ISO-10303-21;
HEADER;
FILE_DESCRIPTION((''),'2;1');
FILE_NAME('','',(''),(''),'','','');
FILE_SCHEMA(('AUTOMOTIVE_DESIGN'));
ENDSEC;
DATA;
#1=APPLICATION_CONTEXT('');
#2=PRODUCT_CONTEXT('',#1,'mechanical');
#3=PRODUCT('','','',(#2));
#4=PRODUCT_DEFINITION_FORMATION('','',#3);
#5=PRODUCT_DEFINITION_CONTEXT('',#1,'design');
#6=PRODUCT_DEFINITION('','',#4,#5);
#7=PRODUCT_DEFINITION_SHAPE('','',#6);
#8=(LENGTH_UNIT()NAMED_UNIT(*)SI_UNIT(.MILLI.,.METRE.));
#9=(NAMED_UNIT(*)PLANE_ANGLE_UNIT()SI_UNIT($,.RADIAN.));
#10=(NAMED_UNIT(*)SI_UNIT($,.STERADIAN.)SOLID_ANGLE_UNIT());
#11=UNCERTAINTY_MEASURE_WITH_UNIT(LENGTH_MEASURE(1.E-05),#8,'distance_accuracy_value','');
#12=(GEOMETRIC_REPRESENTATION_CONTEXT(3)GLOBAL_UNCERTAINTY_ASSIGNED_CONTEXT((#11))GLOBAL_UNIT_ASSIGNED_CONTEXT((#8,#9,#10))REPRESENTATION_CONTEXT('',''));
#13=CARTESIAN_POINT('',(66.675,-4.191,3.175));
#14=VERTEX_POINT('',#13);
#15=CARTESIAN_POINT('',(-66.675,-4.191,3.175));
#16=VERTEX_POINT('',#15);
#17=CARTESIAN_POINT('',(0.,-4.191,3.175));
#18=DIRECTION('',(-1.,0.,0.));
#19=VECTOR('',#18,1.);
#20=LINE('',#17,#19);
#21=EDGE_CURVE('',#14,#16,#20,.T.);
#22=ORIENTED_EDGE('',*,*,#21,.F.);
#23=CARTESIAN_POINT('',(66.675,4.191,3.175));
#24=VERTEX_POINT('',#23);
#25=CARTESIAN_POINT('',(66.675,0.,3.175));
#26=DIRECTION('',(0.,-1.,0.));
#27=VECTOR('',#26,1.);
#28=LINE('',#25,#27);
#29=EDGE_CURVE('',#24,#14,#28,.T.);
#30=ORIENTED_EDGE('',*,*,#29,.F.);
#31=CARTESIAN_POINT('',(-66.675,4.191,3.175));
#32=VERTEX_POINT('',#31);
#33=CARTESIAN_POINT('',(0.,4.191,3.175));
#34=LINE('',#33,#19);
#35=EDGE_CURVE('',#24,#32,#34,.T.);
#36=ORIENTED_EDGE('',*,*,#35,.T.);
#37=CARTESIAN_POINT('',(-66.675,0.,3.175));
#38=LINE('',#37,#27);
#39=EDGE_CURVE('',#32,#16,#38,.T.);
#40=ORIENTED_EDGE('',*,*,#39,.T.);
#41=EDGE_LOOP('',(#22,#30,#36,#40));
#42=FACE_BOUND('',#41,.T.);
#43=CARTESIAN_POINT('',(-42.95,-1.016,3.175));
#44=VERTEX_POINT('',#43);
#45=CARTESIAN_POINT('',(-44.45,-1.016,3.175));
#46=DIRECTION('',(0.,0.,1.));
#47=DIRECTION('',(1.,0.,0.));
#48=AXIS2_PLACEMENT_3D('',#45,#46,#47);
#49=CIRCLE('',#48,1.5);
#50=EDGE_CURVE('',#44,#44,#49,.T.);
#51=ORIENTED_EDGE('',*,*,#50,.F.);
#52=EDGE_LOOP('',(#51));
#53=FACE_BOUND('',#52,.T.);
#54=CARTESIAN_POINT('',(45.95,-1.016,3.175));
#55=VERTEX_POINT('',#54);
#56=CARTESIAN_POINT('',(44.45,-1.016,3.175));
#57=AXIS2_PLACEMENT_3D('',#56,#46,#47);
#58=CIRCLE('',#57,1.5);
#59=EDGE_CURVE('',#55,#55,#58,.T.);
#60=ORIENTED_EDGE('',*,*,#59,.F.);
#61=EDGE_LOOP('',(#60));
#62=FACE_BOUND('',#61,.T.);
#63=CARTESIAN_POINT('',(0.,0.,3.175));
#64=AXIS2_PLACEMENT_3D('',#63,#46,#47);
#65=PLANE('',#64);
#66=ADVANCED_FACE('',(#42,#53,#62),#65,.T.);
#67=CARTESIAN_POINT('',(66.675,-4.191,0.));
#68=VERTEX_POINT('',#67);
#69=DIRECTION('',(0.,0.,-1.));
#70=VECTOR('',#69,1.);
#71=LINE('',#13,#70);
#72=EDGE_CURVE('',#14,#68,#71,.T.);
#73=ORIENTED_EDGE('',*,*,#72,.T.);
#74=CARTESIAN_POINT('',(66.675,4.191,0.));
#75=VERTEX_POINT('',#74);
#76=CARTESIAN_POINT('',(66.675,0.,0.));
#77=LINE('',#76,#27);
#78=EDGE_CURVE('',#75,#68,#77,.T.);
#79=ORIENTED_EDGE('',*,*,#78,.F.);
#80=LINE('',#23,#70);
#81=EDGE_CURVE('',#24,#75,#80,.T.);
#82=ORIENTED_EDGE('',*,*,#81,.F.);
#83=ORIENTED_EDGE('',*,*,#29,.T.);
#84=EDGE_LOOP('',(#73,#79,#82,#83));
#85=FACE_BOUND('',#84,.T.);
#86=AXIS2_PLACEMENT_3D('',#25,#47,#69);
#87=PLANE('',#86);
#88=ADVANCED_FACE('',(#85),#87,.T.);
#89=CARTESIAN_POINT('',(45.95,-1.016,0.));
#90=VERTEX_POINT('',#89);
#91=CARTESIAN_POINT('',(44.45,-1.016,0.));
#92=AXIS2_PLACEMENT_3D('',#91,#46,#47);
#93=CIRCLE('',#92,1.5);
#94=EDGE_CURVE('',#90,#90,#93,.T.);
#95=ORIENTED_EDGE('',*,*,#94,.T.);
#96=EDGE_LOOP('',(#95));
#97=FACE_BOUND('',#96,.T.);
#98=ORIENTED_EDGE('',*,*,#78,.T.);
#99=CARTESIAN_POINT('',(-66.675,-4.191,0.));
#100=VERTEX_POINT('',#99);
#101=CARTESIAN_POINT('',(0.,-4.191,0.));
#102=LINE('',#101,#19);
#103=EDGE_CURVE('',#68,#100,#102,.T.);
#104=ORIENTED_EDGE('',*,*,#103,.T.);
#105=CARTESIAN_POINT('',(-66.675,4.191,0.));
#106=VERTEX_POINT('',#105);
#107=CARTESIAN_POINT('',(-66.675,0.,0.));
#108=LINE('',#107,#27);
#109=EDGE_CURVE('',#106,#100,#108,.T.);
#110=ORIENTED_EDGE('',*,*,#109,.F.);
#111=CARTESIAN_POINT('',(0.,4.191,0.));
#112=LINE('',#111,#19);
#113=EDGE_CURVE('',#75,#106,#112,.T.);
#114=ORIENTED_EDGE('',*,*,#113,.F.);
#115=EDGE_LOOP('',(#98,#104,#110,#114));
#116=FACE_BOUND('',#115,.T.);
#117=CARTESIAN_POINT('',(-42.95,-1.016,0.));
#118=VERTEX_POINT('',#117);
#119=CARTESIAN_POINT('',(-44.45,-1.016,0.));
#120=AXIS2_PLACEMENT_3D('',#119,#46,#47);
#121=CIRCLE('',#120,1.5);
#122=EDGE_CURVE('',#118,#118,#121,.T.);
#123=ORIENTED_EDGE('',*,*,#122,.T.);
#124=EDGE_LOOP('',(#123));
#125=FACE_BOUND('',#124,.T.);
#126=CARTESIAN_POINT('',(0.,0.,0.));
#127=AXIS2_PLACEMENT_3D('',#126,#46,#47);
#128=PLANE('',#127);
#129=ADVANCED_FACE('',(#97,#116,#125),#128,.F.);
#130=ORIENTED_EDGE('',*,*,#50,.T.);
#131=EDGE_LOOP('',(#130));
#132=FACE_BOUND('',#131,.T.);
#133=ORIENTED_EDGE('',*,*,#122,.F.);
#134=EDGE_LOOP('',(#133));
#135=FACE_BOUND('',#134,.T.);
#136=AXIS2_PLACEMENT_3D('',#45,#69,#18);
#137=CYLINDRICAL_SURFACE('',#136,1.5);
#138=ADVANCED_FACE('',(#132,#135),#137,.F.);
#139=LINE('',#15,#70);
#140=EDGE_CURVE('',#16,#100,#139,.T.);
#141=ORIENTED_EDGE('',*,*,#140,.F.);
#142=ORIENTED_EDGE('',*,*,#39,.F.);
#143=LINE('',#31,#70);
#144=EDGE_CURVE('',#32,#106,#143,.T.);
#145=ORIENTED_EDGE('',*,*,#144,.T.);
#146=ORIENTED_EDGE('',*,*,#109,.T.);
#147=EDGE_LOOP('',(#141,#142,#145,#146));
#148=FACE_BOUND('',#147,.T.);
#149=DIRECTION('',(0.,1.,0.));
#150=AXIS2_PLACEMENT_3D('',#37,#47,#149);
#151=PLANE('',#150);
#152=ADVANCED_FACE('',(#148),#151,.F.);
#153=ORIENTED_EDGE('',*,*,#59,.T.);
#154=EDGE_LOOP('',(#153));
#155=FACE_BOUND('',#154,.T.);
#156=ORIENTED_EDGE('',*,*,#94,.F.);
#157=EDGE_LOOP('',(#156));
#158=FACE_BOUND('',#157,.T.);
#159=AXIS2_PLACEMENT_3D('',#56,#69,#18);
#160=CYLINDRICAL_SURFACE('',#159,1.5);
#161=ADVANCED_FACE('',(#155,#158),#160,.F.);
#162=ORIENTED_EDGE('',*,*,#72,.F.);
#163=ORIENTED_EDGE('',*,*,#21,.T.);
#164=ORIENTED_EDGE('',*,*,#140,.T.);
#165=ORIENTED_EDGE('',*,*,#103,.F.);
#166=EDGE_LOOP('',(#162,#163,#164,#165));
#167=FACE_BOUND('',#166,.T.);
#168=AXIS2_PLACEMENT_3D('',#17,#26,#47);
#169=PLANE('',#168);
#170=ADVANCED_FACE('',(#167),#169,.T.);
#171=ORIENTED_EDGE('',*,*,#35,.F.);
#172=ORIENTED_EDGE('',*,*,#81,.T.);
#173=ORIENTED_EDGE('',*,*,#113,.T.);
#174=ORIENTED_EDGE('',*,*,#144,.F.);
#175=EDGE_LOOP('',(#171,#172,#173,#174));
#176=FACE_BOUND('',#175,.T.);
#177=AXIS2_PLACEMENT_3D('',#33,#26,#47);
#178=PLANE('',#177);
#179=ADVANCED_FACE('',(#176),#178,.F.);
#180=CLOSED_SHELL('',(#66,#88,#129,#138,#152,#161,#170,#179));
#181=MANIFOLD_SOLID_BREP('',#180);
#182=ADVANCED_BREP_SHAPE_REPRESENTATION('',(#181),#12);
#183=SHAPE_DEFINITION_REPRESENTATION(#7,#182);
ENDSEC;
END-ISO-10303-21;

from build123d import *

# Parameters (mm, degrees)
SKETCH3_W           = 133.35
SKETCH3_H           = 8.382
SKETCH3_R           = 1.5
BOSS_EXTRUDE1_DEPTH = 3.175


with BuildPart() as part:
    # Sketch3 → Boss-Extrude1 (new body)
    with BuildSketch(Plane.XY):
        Rectangle(SKETCH3_W, SKETCH3_H)
        with Locations((44.45, -1.016)):
            Circle(SKETCH3_R, mode=Mode.SUBTRACT)
        with Locations((-44.45, -1.016)):
            Circle(SKETCH3_R, mode=Mode.SUBTRACT)
    extrude(amount=BOSS_EXTRUDE1_DEPTH)


solid = part.part
